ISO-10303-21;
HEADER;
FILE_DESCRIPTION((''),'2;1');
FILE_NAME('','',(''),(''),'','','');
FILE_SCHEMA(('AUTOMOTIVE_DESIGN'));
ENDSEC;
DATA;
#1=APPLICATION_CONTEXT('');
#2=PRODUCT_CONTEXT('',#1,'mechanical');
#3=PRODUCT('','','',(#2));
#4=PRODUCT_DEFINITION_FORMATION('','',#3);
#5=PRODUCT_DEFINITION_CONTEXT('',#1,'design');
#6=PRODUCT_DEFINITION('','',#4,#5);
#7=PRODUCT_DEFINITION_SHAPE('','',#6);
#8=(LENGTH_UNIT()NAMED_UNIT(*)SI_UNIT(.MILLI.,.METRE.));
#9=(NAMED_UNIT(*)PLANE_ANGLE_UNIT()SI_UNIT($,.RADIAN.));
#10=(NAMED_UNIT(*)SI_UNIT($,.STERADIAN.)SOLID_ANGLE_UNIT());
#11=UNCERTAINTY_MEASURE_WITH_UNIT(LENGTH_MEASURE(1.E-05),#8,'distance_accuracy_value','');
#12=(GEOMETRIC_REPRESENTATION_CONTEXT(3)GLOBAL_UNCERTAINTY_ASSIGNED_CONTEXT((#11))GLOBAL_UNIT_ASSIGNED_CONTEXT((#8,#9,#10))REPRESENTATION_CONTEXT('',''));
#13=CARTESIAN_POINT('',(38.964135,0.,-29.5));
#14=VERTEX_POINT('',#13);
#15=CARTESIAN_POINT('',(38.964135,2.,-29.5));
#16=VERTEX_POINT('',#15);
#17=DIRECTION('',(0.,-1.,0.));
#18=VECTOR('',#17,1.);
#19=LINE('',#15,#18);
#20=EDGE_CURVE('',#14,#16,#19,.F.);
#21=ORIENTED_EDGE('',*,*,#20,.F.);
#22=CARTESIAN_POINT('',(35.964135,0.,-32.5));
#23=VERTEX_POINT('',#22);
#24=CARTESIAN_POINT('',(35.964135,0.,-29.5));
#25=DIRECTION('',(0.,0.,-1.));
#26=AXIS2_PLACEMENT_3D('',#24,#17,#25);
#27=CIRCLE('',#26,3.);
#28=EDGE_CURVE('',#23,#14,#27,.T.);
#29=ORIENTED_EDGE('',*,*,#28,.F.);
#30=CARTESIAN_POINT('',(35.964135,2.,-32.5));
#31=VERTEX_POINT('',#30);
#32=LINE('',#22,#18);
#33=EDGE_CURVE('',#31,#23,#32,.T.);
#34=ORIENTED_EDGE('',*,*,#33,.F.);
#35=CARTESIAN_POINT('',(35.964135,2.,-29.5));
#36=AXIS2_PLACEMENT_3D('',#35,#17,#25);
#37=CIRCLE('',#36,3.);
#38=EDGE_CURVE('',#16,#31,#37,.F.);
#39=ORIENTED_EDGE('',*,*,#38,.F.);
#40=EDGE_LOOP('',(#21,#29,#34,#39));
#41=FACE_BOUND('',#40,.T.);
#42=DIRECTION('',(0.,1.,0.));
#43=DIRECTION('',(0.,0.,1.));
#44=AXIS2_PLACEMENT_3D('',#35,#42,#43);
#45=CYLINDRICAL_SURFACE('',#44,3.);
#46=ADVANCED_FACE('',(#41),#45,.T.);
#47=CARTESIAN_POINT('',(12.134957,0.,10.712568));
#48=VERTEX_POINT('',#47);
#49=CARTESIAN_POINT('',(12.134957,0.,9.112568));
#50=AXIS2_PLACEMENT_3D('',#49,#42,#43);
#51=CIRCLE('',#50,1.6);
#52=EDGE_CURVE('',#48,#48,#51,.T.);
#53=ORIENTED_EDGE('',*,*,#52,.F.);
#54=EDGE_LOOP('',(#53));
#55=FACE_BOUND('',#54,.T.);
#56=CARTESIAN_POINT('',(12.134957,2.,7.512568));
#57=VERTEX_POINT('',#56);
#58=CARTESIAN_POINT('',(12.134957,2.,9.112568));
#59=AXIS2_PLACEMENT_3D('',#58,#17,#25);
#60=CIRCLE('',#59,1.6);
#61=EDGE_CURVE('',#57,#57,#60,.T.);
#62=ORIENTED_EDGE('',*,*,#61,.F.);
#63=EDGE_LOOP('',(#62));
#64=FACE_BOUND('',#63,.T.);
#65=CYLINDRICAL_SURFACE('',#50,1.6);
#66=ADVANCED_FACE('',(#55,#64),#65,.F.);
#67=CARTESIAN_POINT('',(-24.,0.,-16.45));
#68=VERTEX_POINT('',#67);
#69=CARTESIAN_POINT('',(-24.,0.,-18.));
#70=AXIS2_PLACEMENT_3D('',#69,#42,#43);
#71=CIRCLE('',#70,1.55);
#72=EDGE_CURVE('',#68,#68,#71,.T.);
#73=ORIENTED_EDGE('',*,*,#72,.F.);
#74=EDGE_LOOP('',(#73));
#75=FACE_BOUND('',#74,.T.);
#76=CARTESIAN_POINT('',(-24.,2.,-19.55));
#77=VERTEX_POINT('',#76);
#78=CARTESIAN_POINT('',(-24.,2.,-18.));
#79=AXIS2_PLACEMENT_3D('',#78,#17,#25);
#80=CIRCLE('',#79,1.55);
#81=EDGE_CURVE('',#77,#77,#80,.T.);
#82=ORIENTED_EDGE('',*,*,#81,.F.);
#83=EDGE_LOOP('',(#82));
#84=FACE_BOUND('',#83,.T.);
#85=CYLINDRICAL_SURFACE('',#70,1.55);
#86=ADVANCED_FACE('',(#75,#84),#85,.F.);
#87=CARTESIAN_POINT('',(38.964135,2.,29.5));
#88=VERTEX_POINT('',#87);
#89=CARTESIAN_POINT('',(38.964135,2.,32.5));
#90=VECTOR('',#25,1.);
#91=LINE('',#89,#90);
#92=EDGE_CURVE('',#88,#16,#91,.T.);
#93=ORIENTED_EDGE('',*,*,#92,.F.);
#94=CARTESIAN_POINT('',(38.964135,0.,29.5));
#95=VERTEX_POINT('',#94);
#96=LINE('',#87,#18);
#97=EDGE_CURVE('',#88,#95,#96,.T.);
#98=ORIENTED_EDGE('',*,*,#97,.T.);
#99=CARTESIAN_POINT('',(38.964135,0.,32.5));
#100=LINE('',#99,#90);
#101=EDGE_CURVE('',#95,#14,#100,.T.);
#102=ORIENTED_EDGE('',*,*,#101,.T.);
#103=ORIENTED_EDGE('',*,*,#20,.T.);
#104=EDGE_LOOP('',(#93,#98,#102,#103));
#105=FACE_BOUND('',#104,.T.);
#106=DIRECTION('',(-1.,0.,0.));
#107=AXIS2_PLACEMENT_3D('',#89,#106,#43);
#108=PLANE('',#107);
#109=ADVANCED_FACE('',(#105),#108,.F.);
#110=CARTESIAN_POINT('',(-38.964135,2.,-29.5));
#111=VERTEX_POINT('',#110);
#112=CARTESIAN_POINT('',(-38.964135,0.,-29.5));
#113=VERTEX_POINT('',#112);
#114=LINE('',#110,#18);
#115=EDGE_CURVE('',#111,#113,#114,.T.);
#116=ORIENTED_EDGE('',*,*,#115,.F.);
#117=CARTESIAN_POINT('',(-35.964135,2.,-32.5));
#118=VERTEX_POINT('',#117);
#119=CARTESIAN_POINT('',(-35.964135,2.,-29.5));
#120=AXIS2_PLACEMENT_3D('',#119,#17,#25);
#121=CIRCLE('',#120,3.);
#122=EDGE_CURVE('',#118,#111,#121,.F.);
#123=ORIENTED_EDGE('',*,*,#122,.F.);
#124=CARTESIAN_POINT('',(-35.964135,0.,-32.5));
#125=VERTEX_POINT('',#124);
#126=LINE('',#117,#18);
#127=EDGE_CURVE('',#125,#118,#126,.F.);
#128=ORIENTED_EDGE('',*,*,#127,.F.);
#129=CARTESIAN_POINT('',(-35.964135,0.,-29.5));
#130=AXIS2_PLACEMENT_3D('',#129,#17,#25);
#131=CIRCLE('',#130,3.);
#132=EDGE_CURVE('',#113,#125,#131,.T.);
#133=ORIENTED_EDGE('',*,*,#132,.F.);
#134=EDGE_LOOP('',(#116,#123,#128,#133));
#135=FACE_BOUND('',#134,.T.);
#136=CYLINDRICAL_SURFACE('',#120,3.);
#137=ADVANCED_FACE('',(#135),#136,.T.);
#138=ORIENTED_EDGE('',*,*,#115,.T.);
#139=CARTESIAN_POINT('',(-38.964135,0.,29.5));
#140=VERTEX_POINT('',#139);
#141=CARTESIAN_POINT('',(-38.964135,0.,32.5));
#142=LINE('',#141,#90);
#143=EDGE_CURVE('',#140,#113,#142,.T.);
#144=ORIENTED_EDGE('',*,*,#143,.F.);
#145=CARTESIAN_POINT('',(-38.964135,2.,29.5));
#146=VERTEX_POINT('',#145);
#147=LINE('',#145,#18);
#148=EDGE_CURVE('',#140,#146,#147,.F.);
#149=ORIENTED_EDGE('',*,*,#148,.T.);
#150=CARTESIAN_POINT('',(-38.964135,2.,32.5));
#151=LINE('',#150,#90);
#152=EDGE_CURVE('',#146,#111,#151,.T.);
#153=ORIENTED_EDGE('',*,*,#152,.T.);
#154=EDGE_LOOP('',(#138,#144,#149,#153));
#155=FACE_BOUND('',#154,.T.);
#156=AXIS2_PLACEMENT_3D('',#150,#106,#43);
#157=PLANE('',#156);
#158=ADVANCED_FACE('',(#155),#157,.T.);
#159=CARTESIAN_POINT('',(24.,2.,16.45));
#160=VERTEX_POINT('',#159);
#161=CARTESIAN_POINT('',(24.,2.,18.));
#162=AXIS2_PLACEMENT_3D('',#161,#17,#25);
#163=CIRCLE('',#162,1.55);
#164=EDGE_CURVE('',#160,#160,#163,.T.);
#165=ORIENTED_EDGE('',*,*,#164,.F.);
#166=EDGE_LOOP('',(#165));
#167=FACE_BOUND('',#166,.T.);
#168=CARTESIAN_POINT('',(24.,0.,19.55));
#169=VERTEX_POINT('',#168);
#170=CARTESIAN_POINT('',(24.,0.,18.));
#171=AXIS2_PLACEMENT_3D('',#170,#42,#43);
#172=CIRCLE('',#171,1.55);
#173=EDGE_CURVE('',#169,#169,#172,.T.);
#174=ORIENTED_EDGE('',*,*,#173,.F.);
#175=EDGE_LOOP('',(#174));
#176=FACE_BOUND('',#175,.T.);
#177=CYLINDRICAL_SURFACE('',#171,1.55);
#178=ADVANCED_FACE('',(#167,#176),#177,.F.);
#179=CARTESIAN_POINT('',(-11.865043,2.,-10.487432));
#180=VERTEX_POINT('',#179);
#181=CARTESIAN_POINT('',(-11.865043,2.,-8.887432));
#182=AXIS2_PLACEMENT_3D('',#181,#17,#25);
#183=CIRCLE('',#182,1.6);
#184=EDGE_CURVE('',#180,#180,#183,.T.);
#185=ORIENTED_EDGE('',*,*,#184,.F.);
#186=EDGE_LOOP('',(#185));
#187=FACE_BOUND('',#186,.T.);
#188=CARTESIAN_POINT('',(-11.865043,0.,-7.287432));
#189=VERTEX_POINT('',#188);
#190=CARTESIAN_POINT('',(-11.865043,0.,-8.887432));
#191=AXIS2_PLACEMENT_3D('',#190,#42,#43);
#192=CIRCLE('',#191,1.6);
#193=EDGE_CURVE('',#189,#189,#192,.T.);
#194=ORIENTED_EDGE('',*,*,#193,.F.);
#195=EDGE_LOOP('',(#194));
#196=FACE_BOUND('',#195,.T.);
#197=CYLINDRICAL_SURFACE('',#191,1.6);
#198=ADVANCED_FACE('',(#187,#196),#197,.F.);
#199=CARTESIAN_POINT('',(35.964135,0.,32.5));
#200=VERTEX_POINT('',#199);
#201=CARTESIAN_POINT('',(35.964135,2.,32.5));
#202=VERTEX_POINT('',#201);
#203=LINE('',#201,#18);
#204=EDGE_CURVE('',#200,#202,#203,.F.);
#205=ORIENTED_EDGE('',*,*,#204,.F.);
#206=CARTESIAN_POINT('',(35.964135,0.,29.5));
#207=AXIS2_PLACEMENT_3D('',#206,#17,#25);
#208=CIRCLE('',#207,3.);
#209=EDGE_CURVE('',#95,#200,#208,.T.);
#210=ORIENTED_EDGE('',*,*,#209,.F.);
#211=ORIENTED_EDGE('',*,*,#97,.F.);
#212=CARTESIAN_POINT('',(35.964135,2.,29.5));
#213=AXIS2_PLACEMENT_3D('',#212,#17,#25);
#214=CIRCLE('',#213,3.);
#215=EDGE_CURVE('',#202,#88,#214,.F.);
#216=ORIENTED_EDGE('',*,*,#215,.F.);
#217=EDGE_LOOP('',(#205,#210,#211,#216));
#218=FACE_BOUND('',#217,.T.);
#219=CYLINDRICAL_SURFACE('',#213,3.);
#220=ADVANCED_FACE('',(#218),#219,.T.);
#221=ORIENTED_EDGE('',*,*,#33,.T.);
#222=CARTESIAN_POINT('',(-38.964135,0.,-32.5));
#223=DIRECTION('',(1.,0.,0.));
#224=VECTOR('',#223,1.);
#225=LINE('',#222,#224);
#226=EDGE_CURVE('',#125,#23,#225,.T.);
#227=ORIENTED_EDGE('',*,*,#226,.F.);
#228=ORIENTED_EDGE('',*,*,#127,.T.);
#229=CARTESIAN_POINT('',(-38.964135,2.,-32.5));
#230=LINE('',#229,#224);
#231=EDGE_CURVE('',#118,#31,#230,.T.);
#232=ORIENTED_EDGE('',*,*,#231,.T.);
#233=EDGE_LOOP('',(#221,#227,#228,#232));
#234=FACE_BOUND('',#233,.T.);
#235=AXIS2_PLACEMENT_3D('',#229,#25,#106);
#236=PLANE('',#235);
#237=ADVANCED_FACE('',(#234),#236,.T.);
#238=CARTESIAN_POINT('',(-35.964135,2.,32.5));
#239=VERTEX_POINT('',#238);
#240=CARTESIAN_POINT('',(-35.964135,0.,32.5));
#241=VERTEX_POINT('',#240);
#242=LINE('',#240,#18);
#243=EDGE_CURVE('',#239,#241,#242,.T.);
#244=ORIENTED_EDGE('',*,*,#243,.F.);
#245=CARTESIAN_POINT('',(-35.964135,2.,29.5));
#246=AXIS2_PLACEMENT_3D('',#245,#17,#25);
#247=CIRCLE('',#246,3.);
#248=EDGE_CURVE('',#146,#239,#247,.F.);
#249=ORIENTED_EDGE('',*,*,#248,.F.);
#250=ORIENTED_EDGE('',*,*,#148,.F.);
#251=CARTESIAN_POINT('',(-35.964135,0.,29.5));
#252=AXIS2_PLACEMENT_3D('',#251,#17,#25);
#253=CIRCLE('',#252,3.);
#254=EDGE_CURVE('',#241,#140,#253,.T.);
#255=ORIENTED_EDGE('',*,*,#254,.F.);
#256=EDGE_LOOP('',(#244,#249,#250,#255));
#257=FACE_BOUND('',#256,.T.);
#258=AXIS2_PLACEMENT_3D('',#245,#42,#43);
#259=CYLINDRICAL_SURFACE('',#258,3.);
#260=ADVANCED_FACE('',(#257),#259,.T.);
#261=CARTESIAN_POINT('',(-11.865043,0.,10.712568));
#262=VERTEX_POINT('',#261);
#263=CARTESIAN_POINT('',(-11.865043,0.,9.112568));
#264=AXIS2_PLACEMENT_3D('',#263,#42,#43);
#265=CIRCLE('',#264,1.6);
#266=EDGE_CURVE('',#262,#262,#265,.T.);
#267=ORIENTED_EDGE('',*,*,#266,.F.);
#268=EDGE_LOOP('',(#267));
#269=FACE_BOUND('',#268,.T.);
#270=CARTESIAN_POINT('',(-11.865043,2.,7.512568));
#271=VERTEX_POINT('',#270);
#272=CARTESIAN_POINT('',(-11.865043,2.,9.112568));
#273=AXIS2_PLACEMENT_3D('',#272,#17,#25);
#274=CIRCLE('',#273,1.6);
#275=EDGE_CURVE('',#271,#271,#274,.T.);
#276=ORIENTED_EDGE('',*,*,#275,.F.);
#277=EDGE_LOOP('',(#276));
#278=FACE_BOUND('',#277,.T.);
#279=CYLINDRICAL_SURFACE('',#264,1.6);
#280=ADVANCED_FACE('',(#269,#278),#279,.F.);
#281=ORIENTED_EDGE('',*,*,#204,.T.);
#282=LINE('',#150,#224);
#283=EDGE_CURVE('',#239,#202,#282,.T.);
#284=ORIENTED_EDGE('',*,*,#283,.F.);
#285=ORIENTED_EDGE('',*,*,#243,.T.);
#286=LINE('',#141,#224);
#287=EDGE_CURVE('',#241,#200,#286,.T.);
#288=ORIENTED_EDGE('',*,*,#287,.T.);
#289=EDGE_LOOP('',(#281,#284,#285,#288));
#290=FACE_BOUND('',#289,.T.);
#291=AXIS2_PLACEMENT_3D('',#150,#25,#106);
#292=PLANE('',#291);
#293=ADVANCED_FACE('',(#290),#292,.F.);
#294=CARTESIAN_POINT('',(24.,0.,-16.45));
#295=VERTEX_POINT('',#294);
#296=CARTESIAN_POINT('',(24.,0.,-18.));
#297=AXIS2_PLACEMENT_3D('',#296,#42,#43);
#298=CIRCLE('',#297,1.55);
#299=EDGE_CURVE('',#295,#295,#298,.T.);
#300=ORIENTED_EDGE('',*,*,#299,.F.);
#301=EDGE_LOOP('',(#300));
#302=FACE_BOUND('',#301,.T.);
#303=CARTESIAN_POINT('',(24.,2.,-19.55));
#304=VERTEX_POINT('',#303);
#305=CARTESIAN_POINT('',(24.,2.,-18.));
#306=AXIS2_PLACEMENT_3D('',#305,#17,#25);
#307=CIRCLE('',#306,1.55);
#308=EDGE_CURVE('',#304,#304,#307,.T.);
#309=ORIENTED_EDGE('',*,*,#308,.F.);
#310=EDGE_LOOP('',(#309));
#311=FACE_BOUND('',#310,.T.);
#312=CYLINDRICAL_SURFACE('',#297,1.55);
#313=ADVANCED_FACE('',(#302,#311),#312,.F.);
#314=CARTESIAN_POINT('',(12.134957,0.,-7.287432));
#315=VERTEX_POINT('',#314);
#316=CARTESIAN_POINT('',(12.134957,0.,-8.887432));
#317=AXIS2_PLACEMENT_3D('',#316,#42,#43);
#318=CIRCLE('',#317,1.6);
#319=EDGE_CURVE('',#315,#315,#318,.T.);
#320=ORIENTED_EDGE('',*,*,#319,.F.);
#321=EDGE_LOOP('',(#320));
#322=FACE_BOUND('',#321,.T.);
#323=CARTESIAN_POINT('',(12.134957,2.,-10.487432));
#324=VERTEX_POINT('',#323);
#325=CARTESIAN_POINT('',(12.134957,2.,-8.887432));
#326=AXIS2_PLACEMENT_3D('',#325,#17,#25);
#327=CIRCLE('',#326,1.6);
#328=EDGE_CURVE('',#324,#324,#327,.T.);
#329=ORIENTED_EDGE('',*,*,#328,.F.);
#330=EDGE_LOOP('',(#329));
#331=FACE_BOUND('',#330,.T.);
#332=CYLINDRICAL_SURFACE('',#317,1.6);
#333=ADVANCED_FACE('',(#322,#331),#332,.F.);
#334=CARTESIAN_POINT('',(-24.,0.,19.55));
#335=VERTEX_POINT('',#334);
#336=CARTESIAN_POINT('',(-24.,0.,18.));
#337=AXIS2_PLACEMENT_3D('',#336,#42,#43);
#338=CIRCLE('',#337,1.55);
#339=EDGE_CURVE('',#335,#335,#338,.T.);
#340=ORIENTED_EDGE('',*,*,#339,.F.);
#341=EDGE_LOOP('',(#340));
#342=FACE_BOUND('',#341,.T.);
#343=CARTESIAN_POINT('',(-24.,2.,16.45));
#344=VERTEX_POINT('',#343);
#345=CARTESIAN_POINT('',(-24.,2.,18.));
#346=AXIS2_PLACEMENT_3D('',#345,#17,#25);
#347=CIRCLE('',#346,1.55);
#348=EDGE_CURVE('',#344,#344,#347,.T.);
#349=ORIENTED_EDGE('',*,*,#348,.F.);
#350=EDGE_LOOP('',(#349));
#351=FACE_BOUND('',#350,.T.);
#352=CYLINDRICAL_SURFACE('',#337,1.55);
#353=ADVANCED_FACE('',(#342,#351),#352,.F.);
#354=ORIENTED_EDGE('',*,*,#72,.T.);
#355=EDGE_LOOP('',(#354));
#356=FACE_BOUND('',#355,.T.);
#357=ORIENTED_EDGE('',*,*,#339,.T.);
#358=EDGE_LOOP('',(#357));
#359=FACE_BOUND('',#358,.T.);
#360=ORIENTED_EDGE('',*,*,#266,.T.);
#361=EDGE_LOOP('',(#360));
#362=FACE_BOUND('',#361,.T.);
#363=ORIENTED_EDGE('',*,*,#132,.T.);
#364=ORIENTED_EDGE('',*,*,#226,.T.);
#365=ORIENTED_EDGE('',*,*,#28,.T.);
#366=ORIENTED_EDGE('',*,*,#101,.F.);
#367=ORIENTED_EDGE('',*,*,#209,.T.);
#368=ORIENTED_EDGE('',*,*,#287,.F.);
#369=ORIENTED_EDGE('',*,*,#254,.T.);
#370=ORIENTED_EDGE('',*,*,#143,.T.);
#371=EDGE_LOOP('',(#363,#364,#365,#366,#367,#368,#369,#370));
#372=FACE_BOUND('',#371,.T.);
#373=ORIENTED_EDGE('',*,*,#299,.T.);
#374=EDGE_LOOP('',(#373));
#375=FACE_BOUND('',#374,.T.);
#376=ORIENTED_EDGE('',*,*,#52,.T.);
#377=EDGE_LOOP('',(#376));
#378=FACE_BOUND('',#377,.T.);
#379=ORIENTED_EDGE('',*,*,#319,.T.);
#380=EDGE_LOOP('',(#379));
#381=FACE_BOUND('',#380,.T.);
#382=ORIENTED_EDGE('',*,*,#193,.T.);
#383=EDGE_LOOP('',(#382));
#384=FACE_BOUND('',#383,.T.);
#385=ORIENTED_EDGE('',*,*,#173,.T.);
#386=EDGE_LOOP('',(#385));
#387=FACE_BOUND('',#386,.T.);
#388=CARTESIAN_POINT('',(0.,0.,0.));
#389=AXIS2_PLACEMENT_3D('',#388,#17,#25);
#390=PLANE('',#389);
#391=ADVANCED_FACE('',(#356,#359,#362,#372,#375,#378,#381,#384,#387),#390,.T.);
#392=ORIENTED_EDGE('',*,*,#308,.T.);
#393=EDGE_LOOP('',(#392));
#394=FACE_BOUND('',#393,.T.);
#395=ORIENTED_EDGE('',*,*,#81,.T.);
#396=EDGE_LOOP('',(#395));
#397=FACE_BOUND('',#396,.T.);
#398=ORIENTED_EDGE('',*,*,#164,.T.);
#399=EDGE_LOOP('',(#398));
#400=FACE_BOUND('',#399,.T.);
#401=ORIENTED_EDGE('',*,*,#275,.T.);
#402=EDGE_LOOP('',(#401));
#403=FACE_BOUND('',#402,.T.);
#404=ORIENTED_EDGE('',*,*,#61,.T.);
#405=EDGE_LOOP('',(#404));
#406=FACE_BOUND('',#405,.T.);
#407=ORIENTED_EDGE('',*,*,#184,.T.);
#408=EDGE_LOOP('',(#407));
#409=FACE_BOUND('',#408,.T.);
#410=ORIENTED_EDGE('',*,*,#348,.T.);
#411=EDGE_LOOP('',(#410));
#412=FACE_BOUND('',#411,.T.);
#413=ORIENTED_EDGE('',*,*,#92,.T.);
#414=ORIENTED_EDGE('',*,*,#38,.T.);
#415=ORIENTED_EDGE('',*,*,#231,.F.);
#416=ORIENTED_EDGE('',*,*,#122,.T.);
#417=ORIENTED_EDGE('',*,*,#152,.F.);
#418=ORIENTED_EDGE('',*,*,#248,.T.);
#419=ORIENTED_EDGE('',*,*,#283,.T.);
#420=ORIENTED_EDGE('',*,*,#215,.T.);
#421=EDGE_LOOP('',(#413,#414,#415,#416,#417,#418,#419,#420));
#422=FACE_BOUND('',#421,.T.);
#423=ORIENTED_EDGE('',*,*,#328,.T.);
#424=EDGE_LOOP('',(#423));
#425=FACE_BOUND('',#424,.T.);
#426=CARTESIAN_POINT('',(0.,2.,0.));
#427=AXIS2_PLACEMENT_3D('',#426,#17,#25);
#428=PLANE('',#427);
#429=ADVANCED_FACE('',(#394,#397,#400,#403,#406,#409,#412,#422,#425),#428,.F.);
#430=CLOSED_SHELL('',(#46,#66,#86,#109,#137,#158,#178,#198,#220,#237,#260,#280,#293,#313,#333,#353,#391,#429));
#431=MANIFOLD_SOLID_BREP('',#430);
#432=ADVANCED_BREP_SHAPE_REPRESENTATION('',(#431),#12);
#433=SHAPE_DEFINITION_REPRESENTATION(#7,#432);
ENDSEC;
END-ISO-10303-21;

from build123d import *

# Parameters (mm, degrees)
SKETCH1_W               = 77.928270256
SKETCH1_H               = 65
BOSS_EXTRUDE1_DEPTH     = 2
CUT_EXTRUDE3_DEPTH      = 51.778477983
CUT_EXTRUDE3_DEPTH_BACK = 51.778477983
SKETCH2_R               = 1.55
SKETCH2_R_2             = 1.6
FILLET1_R               = 3


with BuildPart() as part:
    # Sketch1 → Boss-Extrude1 (new body)
    with BuildSketch(Plane(origin=(0, 0, 0), x_dir=(1, 0, 0), z_dir=(0, 1, 0))):
        Rectangle(SKETCH1_W, SKETCH1_H)
    extrude(amount=BOSS_EXTRUDE1_DEPTH)

    # Sketch2 → Cut-Extrude3 (cut, two sides: drawn at the far end of the back side and taken through both)
    with BuildSketch(Plane(origin=(0, 2, 0), x_dir=(1, 0, 0), z_dir=(0, 1, 0)).offset(-CUT_EXTRUDE3_DEPTH_BACK)):
        with Locations(Location((-24, 18, 0), (0, 0, 270))):
            Circle(SKETCH2_R)
        with Locations(Location((24, 18, 0), (0, 0, 270))):
            Circle(SKETCH2_R)
        with Locations(Location((24, -18, 0), (0, 0, 270))):
            Circle(SKETCH2_R)
        with Locations(Location((-24, -18, 0), (0, 0, 270))):
            Circle(SKETCH2_R)
        with Locations(Location((-11.865042966, 8.887432286, 0), (0, 0, 270))):
            Circle(SKETCH2_R_2)
        with Locations(Location((12.134957034, 8.887432286, 0), (0, 0, 270))):
            Circle(SKETCH2_R_2)
        with Locations(Location((12.134957034, -9.112567714, 0), (0, 0, 270))):
            Circle(SKETCH2_R_2)
        with Locations(Location((-11.865042966, -9.112567714, 0), (0, 0, 270))):
            Circle(SKETCH2_R_2)
    extrude(amount=CUT_EXTRUDE3_DEPTH + CUT_EXTRUDE3_DEPTH_BACK, mode=Mode.SUBTRACT)

    # Fillet1
    fillet1_edges = [part.edges().sort_by_distance(p)[0] for p in [
        (-38.964135128, 1, 32.5),
        (38.964135128, 1, 32.5),
        (38.964135128, 1, -32.5),
        (-38.964135128, 1, -32.5),
    ]]
    fillet(fillet1_edges, radius=FILLET1_R)


solid = part.part
